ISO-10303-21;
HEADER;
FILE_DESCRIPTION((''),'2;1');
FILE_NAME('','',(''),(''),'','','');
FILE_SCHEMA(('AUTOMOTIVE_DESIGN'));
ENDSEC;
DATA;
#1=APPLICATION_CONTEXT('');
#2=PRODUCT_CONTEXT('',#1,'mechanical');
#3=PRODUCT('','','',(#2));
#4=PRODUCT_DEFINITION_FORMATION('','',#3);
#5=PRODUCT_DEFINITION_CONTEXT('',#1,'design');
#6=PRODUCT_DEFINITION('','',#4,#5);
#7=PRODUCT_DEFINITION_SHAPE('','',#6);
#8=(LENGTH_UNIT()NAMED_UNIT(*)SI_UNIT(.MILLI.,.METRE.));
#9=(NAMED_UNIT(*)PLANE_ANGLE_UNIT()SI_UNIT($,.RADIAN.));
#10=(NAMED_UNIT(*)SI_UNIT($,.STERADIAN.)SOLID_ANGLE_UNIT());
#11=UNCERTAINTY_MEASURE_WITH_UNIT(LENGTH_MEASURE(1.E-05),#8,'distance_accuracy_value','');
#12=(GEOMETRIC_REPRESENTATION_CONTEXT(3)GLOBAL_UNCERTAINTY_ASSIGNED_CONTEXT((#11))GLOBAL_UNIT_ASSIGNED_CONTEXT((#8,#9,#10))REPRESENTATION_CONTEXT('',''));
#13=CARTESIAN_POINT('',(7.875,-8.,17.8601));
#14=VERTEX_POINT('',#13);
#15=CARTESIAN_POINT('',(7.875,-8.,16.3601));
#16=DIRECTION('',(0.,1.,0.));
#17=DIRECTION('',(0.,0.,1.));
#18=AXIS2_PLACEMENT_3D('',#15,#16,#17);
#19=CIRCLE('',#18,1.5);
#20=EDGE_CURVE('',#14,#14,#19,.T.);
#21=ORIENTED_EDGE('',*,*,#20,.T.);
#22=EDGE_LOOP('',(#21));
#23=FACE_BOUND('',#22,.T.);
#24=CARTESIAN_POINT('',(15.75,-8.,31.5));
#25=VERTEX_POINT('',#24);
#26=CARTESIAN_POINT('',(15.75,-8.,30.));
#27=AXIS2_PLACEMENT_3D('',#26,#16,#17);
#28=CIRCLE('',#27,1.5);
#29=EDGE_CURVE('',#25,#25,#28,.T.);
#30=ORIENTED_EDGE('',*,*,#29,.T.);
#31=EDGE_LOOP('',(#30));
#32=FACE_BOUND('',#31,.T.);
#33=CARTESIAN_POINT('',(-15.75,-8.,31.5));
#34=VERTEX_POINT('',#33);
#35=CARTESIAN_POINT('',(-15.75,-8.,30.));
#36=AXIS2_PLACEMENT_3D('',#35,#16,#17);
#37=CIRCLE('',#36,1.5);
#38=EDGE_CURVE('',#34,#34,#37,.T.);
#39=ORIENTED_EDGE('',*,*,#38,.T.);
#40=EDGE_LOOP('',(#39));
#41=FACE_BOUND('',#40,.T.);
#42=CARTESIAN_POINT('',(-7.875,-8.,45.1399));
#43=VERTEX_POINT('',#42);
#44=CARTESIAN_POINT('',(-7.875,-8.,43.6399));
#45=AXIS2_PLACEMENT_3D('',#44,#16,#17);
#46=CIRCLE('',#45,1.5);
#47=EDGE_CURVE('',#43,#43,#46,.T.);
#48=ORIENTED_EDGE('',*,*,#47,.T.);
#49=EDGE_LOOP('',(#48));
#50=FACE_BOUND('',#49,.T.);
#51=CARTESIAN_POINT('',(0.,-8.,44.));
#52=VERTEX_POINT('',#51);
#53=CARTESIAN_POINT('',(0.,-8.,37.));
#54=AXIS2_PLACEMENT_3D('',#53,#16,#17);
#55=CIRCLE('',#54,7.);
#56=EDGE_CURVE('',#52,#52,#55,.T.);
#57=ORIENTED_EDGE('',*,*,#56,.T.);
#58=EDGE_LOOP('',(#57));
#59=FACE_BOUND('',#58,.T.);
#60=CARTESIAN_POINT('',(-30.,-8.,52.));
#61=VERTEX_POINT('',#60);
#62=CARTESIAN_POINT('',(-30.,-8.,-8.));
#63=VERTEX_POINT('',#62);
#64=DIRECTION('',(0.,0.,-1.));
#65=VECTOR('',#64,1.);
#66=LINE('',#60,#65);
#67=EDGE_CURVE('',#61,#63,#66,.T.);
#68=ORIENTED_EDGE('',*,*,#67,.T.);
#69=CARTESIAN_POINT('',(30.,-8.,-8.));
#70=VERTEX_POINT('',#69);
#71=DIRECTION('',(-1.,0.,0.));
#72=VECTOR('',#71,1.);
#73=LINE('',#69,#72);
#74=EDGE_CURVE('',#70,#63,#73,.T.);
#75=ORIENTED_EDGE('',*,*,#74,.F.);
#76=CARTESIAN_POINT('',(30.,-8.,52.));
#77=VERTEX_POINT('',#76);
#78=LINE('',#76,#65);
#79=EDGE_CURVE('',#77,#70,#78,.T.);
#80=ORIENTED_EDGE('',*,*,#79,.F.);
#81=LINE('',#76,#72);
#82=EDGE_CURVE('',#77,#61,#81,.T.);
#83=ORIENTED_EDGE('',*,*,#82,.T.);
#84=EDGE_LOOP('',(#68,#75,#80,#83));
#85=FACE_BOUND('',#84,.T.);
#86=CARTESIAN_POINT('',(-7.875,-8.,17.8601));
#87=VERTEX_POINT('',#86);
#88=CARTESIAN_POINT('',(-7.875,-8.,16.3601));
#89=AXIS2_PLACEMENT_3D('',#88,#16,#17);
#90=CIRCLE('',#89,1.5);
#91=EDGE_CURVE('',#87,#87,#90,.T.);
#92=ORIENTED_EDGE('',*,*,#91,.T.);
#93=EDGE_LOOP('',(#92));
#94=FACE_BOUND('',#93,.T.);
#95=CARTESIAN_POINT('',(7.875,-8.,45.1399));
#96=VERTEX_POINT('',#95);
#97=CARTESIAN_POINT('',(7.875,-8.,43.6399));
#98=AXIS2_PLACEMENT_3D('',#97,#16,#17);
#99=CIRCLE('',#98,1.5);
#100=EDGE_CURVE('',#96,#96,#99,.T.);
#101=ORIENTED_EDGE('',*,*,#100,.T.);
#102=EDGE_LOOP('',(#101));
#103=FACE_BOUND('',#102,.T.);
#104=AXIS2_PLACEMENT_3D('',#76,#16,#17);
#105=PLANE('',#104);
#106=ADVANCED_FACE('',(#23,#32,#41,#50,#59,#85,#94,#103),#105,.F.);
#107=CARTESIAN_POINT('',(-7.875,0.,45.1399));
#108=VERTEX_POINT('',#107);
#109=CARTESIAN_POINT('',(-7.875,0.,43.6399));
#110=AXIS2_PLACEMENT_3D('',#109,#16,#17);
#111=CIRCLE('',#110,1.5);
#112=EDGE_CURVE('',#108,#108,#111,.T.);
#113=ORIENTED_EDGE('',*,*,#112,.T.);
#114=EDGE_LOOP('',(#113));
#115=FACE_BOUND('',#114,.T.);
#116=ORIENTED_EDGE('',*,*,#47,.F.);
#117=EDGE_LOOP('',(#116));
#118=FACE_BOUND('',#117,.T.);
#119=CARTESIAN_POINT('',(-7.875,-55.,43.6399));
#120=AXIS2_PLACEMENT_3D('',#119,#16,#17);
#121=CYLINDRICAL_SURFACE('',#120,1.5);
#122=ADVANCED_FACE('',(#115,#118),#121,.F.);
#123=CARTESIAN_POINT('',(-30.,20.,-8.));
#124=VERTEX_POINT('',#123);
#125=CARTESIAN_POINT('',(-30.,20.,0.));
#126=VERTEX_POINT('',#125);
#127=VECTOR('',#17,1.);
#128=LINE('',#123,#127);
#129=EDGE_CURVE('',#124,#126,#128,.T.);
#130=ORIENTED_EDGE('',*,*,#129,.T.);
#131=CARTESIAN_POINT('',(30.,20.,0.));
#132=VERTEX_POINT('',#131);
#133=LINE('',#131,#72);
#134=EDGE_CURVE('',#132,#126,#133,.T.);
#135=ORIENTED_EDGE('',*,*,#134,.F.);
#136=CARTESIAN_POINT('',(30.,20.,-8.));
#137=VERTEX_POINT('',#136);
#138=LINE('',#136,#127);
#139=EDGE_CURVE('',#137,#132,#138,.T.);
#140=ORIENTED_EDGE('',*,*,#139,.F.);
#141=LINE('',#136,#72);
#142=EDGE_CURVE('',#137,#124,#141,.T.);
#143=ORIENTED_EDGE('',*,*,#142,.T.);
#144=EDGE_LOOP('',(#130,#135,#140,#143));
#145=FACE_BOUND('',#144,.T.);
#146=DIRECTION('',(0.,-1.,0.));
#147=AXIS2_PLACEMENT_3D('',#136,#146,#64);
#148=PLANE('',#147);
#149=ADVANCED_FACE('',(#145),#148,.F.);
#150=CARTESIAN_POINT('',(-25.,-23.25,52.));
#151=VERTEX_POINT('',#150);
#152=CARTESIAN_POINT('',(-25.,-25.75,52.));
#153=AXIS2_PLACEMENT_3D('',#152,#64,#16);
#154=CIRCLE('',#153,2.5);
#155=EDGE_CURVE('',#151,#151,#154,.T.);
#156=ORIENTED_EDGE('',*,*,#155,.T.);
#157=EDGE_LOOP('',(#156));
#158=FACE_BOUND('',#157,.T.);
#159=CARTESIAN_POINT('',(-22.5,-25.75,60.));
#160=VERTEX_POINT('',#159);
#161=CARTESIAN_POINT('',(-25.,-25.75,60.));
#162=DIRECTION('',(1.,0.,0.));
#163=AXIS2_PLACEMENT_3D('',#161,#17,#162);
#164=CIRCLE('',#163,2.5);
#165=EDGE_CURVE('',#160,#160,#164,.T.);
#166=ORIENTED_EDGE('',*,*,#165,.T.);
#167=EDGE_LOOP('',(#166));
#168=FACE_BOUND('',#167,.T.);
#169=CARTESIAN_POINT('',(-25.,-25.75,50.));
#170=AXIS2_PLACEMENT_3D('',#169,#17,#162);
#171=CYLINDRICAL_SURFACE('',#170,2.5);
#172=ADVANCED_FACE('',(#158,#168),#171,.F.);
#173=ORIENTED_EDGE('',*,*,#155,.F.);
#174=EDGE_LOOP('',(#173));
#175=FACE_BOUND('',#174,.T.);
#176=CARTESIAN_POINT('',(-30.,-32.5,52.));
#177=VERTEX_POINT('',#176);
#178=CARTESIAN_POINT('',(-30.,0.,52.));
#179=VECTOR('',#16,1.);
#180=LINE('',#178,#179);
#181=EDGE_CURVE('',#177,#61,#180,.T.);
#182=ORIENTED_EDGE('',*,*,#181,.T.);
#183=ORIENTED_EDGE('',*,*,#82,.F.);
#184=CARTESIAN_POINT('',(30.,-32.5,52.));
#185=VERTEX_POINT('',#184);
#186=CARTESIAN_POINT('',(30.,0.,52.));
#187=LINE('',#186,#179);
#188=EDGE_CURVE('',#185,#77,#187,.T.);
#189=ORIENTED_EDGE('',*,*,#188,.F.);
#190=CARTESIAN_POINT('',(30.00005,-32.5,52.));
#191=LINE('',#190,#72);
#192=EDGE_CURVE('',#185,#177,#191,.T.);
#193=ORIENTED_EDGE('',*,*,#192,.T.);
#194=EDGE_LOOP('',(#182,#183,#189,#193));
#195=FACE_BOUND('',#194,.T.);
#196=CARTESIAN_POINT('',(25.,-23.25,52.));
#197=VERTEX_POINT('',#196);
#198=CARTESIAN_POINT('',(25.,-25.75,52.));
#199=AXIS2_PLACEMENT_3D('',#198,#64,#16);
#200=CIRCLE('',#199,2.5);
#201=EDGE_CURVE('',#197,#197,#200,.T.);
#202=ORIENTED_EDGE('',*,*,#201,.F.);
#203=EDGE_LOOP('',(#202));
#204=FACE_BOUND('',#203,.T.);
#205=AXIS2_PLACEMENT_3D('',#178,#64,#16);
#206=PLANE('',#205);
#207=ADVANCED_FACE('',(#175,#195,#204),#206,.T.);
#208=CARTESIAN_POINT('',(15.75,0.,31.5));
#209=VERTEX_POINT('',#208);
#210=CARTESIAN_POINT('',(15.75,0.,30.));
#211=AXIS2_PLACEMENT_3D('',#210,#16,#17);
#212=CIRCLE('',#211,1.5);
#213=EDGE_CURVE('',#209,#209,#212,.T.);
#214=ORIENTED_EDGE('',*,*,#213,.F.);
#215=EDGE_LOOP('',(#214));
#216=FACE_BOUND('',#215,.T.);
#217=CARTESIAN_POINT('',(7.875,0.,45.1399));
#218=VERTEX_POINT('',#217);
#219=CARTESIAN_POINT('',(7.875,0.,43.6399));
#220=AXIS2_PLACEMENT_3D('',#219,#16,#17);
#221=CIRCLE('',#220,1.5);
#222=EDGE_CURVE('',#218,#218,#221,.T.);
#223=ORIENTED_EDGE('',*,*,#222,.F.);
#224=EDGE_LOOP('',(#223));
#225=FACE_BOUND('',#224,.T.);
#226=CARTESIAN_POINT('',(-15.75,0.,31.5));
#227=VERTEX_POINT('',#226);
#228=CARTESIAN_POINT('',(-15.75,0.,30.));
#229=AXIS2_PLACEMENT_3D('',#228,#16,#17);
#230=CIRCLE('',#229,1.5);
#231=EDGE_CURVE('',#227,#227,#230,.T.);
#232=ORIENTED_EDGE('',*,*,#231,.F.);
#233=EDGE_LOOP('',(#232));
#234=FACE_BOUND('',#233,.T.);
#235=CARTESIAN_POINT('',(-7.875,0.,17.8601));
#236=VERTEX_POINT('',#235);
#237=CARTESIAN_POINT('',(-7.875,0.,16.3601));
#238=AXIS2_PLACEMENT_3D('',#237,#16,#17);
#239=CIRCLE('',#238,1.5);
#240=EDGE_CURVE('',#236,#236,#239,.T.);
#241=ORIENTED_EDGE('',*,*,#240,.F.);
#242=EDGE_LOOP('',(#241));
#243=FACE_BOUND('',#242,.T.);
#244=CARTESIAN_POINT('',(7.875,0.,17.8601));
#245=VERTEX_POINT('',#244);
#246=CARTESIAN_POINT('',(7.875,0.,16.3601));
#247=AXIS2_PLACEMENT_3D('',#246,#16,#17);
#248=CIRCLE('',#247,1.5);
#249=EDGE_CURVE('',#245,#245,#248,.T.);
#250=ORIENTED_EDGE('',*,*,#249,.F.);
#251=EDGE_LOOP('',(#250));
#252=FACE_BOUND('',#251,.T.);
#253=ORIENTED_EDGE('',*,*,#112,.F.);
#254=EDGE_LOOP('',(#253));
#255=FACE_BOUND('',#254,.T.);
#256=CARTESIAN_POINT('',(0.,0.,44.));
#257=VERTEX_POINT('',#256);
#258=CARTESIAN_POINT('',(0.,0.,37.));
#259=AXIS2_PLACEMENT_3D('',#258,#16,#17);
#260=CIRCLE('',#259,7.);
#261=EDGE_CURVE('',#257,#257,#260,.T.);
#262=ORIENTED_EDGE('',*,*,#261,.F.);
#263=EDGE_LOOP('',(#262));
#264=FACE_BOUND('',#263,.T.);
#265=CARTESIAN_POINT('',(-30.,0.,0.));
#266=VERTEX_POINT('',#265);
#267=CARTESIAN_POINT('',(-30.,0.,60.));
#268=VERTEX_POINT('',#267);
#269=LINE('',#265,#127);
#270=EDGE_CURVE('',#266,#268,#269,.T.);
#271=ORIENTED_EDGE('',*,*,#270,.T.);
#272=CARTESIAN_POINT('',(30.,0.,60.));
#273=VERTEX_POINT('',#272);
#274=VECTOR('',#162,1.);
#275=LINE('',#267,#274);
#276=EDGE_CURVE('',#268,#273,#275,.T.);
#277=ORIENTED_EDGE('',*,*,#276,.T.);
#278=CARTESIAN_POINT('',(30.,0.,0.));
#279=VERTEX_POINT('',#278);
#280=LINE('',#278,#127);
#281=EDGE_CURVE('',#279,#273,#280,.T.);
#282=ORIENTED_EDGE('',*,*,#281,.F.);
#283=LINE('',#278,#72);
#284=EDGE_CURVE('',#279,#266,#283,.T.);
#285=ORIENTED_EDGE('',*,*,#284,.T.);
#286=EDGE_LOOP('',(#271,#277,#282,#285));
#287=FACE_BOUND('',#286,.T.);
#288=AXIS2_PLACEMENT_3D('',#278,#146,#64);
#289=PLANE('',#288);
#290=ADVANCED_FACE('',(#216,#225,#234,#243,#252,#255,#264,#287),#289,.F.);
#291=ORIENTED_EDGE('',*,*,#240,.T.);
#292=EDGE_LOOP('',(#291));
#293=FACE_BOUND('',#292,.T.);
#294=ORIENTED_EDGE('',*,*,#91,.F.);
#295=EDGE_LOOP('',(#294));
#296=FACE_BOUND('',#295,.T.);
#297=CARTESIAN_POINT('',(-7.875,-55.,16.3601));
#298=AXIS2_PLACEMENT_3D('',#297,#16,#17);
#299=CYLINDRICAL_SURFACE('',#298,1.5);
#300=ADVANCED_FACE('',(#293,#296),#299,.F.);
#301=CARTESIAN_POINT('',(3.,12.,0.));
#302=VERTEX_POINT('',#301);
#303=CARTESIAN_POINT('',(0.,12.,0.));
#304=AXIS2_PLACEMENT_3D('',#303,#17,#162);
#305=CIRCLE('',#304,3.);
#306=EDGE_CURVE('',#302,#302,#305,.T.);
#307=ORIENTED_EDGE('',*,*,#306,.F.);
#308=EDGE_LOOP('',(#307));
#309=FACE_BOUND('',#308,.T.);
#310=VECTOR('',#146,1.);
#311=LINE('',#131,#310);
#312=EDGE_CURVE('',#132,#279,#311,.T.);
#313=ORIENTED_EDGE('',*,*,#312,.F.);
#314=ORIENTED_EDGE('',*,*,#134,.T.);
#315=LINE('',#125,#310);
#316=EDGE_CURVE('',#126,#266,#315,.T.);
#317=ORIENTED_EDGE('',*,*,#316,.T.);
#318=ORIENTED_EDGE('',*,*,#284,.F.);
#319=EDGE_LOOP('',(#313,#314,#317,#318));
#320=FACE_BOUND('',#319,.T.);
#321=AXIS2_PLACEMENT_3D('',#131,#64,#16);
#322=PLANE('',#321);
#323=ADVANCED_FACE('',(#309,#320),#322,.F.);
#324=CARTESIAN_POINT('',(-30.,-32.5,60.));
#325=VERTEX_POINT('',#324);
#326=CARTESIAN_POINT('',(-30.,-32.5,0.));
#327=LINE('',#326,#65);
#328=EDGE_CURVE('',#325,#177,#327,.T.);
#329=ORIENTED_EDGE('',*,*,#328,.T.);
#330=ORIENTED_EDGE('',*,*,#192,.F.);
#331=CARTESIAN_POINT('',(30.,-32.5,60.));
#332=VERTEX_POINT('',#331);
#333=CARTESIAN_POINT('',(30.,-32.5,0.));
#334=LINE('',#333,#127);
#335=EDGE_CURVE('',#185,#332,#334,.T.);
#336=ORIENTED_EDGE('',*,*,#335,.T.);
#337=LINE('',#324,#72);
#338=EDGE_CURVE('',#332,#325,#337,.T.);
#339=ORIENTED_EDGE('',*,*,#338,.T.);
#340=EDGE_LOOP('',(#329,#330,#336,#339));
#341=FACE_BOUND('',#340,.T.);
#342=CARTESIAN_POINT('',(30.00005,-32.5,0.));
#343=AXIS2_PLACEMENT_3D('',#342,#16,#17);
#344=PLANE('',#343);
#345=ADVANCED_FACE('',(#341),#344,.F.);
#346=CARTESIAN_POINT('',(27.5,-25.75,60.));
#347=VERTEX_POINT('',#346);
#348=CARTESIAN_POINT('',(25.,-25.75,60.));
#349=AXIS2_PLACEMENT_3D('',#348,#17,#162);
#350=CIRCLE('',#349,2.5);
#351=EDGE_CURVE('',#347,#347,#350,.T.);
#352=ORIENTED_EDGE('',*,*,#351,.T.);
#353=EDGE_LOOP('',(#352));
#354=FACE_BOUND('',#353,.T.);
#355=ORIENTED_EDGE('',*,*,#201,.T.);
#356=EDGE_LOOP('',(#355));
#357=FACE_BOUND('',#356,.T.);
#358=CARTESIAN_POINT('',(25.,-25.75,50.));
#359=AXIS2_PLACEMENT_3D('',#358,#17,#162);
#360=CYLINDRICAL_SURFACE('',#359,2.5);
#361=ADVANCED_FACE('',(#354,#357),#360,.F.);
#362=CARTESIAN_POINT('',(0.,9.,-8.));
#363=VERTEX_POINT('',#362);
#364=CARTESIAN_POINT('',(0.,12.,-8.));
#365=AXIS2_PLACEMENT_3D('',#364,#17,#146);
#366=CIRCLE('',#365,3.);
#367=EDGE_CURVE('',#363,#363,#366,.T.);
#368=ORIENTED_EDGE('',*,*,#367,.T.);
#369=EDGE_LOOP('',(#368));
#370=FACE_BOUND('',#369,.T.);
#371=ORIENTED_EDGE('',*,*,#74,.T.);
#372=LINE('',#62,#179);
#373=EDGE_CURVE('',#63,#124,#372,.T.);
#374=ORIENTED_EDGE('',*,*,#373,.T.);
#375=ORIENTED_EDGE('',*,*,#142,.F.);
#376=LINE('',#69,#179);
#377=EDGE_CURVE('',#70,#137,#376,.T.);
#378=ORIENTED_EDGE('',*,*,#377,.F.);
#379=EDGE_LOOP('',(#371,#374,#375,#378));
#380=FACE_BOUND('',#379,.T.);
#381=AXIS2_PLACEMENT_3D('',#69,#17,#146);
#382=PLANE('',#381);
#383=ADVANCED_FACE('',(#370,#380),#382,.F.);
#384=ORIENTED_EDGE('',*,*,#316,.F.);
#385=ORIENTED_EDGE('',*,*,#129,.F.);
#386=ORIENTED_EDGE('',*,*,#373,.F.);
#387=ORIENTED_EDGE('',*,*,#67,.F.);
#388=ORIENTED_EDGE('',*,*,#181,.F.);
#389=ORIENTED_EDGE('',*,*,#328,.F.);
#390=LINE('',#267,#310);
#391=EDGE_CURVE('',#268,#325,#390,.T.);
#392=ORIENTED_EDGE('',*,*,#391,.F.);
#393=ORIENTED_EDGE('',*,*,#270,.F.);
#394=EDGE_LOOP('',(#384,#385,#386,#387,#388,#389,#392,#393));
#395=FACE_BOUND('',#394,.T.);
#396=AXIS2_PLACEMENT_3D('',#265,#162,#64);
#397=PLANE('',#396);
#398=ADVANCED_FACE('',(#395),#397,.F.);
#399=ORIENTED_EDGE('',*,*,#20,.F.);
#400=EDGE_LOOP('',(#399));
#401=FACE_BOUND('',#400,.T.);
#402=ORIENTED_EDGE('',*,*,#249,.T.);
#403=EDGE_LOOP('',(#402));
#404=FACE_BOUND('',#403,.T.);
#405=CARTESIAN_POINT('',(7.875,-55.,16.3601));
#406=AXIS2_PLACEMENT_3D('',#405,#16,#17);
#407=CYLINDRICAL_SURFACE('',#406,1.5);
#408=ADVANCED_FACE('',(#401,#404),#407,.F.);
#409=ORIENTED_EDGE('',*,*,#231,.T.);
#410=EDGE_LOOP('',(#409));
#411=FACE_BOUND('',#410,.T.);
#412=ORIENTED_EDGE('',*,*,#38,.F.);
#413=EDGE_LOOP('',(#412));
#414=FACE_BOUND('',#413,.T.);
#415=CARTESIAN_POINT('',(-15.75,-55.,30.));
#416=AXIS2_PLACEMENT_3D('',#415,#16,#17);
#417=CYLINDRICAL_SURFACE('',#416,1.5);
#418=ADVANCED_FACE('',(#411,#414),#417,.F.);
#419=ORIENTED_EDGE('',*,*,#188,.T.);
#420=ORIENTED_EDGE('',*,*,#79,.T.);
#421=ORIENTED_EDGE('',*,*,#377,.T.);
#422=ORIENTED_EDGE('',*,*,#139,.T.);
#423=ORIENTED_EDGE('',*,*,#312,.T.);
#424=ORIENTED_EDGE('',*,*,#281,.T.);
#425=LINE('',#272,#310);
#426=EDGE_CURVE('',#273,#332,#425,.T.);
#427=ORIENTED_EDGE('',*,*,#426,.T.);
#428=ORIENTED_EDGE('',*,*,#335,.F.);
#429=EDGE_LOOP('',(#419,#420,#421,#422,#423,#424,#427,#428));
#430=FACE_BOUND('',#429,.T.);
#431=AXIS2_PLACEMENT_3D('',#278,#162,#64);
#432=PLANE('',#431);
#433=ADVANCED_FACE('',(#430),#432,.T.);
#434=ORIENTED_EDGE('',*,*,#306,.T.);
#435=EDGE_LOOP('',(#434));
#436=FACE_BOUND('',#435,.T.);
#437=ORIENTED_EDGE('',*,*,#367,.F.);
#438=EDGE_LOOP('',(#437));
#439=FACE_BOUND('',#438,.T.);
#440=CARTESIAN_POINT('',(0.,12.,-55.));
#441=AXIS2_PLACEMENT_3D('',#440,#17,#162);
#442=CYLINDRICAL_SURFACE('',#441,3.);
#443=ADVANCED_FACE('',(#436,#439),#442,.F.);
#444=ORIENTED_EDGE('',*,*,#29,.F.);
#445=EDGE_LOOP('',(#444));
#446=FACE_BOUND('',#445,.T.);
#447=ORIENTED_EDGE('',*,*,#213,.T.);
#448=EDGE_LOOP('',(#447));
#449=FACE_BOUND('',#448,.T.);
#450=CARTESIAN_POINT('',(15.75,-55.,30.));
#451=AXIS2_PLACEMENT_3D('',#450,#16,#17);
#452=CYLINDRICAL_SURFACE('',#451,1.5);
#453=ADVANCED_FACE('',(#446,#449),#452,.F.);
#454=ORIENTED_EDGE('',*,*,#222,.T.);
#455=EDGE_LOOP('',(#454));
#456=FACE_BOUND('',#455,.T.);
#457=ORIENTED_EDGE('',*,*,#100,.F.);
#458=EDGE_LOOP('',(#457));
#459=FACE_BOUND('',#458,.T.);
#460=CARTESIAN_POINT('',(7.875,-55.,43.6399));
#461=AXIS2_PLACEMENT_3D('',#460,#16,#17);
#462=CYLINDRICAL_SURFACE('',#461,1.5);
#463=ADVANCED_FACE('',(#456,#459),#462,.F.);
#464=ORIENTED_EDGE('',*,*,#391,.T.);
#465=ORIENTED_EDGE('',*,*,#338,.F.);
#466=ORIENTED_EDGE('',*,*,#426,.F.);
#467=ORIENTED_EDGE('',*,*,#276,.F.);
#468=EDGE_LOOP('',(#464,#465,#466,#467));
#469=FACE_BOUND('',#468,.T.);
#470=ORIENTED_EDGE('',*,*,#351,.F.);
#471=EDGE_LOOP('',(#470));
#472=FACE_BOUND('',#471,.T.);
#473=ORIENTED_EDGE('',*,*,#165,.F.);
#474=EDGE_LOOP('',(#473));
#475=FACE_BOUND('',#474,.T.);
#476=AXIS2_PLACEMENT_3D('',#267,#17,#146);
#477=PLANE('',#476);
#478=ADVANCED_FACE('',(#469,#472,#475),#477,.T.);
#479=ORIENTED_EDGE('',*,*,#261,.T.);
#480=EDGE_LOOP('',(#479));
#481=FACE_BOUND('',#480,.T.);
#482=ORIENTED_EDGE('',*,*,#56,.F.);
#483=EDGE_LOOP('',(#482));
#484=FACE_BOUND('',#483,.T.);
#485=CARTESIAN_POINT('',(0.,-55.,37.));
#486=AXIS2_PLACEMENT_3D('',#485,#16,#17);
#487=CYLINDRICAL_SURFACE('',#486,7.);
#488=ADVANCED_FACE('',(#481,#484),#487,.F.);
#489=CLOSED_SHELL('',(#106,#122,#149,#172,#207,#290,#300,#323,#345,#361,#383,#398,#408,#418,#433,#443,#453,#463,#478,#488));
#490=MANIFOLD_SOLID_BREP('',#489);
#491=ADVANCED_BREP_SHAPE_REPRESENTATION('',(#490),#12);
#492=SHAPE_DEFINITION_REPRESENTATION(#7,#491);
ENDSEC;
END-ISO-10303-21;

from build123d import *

# Parameters (mm, degrees)
BOSS_EXTRUDE1_DEPTH = 30
SKETCH2_R           = 7
SKETCH2_R_2         = 1.5
CUT_EXTRUDE1_DEPTH  = 55
SKETCH3_R           = 3
CUT_EXTRUDE2_DEPTH  = 55
SKETCH4_W           = 8
SKETCH4_H           = 40
BOSS_EXTRUDE2_DEPTH = 60
SKETCH5_R           = 2.5
CUT_EXTRUDE3_DEPTH  = 10
SKETCH6_W           = 8
SKETCH6_H           = 7.5
CUT_EXTRUDE4_DEPTH  = 94.808315196


with BuildPart() as part:
    # Sketch1 → Boss-Extrude1 (new, symmetric)
    with BuildSketch(Plane(origin=(0, 0, 0), x_dir=(0, 0, -1), z_dir=(1, 0, 0))):
        Polygon((0, 20), (0, 0), (-52, 0), (-52, -8), (8, -8), (8, 20), align=None)
    extrude(amount=BOSS_EXTRUDE1_DEPTH, both=True)

    # Sketch2 → Cut-Extrude1 (cut)
    with BuildSketch(Plane(origin=(0, 0, 0), x_dir=(1, 0, 0), z_dir=(0, 1, 0))):
        with Locations(Location((0, -37, 0), (0, 0, 270))):
            Circle(SKETCH2_R)
        with Locations(Location((15.75, -30, 0), (0, 0, 270))):
            Circle(SKETCH2_R_2)
        with Locations(Location((7.875, -43.63990011, 0), (0, 0, 270))):
            Circle(SKETCH2_R_2)
        with Locations(Location((-7.875, -43.63990011, 0), (0, 0, 270))):
            Circle(SKETCH2_R_2)
        with Locations(Location((-15.75, -30, 0), (0, 0, 270))):
            Circle(SKETCH2_R_2)
        with Locations(Location((-7.875, -16.36009989, 0), (0, 0, 270))):
            Circle(SKETCH2_R_2)
        with Locations(Location((7.875, -16.36009989, 0), (0, 0, 270))):
            Circle(SKETCH2_R_2)
    extrude(amount=-CUT_EXTRUDE1_DEPTH, mode=Mode.SUBTRACT)

    # Sketch3 → Cut-Extrude2 (cut)
    with BuildSketch(Plane.XY):
        with Locations((0, 12)):
            Circle(SKETCH3_R)
    extrude(amount=-CUT_EXTRUDE2_DEPTH, mode=Mode.SUBTRACT)

    # Sketch4 → Boss-Extrude2 (add)
    with BuildSketch(Plane(origin=(30, 0, 0), x_dir=(0, 0, -1), z_dir=(1, 0, 0))):
        with Locations((-56, -20)):
            Rectangle(SKETCH4_W, SKETCH4_H)
    extrude(amount=-BOSS_EXTRUDE2_DEPTH)

    # Sketch5 → Cut-Extrude3 (cut)
    with BuildSketch(Plane.XY.offset(60)):
        with Locations((25, -25.75)):
            Circle(SKETCH5_R)
        with Locations((-25, -25.75)):
            Circle(SKETCH5_R)
    extrude(amount=-CUT_EXTRUDE3_DEPTH, mode=Mode.SUBTRACT)

    # Sketch6 → Cut-Extrude4 (cut, through all)
    with BuildSketch(Plane.ZY.offset(30)):
        with Locations((56, -36.25)):
            Rectangle(SKETCH6_W, SKETCH6_H)
    extrude(amount=-CUT_EXTRUDE4_DEPTH, mode=Mode.SUBTRACT)


solid = part.part
